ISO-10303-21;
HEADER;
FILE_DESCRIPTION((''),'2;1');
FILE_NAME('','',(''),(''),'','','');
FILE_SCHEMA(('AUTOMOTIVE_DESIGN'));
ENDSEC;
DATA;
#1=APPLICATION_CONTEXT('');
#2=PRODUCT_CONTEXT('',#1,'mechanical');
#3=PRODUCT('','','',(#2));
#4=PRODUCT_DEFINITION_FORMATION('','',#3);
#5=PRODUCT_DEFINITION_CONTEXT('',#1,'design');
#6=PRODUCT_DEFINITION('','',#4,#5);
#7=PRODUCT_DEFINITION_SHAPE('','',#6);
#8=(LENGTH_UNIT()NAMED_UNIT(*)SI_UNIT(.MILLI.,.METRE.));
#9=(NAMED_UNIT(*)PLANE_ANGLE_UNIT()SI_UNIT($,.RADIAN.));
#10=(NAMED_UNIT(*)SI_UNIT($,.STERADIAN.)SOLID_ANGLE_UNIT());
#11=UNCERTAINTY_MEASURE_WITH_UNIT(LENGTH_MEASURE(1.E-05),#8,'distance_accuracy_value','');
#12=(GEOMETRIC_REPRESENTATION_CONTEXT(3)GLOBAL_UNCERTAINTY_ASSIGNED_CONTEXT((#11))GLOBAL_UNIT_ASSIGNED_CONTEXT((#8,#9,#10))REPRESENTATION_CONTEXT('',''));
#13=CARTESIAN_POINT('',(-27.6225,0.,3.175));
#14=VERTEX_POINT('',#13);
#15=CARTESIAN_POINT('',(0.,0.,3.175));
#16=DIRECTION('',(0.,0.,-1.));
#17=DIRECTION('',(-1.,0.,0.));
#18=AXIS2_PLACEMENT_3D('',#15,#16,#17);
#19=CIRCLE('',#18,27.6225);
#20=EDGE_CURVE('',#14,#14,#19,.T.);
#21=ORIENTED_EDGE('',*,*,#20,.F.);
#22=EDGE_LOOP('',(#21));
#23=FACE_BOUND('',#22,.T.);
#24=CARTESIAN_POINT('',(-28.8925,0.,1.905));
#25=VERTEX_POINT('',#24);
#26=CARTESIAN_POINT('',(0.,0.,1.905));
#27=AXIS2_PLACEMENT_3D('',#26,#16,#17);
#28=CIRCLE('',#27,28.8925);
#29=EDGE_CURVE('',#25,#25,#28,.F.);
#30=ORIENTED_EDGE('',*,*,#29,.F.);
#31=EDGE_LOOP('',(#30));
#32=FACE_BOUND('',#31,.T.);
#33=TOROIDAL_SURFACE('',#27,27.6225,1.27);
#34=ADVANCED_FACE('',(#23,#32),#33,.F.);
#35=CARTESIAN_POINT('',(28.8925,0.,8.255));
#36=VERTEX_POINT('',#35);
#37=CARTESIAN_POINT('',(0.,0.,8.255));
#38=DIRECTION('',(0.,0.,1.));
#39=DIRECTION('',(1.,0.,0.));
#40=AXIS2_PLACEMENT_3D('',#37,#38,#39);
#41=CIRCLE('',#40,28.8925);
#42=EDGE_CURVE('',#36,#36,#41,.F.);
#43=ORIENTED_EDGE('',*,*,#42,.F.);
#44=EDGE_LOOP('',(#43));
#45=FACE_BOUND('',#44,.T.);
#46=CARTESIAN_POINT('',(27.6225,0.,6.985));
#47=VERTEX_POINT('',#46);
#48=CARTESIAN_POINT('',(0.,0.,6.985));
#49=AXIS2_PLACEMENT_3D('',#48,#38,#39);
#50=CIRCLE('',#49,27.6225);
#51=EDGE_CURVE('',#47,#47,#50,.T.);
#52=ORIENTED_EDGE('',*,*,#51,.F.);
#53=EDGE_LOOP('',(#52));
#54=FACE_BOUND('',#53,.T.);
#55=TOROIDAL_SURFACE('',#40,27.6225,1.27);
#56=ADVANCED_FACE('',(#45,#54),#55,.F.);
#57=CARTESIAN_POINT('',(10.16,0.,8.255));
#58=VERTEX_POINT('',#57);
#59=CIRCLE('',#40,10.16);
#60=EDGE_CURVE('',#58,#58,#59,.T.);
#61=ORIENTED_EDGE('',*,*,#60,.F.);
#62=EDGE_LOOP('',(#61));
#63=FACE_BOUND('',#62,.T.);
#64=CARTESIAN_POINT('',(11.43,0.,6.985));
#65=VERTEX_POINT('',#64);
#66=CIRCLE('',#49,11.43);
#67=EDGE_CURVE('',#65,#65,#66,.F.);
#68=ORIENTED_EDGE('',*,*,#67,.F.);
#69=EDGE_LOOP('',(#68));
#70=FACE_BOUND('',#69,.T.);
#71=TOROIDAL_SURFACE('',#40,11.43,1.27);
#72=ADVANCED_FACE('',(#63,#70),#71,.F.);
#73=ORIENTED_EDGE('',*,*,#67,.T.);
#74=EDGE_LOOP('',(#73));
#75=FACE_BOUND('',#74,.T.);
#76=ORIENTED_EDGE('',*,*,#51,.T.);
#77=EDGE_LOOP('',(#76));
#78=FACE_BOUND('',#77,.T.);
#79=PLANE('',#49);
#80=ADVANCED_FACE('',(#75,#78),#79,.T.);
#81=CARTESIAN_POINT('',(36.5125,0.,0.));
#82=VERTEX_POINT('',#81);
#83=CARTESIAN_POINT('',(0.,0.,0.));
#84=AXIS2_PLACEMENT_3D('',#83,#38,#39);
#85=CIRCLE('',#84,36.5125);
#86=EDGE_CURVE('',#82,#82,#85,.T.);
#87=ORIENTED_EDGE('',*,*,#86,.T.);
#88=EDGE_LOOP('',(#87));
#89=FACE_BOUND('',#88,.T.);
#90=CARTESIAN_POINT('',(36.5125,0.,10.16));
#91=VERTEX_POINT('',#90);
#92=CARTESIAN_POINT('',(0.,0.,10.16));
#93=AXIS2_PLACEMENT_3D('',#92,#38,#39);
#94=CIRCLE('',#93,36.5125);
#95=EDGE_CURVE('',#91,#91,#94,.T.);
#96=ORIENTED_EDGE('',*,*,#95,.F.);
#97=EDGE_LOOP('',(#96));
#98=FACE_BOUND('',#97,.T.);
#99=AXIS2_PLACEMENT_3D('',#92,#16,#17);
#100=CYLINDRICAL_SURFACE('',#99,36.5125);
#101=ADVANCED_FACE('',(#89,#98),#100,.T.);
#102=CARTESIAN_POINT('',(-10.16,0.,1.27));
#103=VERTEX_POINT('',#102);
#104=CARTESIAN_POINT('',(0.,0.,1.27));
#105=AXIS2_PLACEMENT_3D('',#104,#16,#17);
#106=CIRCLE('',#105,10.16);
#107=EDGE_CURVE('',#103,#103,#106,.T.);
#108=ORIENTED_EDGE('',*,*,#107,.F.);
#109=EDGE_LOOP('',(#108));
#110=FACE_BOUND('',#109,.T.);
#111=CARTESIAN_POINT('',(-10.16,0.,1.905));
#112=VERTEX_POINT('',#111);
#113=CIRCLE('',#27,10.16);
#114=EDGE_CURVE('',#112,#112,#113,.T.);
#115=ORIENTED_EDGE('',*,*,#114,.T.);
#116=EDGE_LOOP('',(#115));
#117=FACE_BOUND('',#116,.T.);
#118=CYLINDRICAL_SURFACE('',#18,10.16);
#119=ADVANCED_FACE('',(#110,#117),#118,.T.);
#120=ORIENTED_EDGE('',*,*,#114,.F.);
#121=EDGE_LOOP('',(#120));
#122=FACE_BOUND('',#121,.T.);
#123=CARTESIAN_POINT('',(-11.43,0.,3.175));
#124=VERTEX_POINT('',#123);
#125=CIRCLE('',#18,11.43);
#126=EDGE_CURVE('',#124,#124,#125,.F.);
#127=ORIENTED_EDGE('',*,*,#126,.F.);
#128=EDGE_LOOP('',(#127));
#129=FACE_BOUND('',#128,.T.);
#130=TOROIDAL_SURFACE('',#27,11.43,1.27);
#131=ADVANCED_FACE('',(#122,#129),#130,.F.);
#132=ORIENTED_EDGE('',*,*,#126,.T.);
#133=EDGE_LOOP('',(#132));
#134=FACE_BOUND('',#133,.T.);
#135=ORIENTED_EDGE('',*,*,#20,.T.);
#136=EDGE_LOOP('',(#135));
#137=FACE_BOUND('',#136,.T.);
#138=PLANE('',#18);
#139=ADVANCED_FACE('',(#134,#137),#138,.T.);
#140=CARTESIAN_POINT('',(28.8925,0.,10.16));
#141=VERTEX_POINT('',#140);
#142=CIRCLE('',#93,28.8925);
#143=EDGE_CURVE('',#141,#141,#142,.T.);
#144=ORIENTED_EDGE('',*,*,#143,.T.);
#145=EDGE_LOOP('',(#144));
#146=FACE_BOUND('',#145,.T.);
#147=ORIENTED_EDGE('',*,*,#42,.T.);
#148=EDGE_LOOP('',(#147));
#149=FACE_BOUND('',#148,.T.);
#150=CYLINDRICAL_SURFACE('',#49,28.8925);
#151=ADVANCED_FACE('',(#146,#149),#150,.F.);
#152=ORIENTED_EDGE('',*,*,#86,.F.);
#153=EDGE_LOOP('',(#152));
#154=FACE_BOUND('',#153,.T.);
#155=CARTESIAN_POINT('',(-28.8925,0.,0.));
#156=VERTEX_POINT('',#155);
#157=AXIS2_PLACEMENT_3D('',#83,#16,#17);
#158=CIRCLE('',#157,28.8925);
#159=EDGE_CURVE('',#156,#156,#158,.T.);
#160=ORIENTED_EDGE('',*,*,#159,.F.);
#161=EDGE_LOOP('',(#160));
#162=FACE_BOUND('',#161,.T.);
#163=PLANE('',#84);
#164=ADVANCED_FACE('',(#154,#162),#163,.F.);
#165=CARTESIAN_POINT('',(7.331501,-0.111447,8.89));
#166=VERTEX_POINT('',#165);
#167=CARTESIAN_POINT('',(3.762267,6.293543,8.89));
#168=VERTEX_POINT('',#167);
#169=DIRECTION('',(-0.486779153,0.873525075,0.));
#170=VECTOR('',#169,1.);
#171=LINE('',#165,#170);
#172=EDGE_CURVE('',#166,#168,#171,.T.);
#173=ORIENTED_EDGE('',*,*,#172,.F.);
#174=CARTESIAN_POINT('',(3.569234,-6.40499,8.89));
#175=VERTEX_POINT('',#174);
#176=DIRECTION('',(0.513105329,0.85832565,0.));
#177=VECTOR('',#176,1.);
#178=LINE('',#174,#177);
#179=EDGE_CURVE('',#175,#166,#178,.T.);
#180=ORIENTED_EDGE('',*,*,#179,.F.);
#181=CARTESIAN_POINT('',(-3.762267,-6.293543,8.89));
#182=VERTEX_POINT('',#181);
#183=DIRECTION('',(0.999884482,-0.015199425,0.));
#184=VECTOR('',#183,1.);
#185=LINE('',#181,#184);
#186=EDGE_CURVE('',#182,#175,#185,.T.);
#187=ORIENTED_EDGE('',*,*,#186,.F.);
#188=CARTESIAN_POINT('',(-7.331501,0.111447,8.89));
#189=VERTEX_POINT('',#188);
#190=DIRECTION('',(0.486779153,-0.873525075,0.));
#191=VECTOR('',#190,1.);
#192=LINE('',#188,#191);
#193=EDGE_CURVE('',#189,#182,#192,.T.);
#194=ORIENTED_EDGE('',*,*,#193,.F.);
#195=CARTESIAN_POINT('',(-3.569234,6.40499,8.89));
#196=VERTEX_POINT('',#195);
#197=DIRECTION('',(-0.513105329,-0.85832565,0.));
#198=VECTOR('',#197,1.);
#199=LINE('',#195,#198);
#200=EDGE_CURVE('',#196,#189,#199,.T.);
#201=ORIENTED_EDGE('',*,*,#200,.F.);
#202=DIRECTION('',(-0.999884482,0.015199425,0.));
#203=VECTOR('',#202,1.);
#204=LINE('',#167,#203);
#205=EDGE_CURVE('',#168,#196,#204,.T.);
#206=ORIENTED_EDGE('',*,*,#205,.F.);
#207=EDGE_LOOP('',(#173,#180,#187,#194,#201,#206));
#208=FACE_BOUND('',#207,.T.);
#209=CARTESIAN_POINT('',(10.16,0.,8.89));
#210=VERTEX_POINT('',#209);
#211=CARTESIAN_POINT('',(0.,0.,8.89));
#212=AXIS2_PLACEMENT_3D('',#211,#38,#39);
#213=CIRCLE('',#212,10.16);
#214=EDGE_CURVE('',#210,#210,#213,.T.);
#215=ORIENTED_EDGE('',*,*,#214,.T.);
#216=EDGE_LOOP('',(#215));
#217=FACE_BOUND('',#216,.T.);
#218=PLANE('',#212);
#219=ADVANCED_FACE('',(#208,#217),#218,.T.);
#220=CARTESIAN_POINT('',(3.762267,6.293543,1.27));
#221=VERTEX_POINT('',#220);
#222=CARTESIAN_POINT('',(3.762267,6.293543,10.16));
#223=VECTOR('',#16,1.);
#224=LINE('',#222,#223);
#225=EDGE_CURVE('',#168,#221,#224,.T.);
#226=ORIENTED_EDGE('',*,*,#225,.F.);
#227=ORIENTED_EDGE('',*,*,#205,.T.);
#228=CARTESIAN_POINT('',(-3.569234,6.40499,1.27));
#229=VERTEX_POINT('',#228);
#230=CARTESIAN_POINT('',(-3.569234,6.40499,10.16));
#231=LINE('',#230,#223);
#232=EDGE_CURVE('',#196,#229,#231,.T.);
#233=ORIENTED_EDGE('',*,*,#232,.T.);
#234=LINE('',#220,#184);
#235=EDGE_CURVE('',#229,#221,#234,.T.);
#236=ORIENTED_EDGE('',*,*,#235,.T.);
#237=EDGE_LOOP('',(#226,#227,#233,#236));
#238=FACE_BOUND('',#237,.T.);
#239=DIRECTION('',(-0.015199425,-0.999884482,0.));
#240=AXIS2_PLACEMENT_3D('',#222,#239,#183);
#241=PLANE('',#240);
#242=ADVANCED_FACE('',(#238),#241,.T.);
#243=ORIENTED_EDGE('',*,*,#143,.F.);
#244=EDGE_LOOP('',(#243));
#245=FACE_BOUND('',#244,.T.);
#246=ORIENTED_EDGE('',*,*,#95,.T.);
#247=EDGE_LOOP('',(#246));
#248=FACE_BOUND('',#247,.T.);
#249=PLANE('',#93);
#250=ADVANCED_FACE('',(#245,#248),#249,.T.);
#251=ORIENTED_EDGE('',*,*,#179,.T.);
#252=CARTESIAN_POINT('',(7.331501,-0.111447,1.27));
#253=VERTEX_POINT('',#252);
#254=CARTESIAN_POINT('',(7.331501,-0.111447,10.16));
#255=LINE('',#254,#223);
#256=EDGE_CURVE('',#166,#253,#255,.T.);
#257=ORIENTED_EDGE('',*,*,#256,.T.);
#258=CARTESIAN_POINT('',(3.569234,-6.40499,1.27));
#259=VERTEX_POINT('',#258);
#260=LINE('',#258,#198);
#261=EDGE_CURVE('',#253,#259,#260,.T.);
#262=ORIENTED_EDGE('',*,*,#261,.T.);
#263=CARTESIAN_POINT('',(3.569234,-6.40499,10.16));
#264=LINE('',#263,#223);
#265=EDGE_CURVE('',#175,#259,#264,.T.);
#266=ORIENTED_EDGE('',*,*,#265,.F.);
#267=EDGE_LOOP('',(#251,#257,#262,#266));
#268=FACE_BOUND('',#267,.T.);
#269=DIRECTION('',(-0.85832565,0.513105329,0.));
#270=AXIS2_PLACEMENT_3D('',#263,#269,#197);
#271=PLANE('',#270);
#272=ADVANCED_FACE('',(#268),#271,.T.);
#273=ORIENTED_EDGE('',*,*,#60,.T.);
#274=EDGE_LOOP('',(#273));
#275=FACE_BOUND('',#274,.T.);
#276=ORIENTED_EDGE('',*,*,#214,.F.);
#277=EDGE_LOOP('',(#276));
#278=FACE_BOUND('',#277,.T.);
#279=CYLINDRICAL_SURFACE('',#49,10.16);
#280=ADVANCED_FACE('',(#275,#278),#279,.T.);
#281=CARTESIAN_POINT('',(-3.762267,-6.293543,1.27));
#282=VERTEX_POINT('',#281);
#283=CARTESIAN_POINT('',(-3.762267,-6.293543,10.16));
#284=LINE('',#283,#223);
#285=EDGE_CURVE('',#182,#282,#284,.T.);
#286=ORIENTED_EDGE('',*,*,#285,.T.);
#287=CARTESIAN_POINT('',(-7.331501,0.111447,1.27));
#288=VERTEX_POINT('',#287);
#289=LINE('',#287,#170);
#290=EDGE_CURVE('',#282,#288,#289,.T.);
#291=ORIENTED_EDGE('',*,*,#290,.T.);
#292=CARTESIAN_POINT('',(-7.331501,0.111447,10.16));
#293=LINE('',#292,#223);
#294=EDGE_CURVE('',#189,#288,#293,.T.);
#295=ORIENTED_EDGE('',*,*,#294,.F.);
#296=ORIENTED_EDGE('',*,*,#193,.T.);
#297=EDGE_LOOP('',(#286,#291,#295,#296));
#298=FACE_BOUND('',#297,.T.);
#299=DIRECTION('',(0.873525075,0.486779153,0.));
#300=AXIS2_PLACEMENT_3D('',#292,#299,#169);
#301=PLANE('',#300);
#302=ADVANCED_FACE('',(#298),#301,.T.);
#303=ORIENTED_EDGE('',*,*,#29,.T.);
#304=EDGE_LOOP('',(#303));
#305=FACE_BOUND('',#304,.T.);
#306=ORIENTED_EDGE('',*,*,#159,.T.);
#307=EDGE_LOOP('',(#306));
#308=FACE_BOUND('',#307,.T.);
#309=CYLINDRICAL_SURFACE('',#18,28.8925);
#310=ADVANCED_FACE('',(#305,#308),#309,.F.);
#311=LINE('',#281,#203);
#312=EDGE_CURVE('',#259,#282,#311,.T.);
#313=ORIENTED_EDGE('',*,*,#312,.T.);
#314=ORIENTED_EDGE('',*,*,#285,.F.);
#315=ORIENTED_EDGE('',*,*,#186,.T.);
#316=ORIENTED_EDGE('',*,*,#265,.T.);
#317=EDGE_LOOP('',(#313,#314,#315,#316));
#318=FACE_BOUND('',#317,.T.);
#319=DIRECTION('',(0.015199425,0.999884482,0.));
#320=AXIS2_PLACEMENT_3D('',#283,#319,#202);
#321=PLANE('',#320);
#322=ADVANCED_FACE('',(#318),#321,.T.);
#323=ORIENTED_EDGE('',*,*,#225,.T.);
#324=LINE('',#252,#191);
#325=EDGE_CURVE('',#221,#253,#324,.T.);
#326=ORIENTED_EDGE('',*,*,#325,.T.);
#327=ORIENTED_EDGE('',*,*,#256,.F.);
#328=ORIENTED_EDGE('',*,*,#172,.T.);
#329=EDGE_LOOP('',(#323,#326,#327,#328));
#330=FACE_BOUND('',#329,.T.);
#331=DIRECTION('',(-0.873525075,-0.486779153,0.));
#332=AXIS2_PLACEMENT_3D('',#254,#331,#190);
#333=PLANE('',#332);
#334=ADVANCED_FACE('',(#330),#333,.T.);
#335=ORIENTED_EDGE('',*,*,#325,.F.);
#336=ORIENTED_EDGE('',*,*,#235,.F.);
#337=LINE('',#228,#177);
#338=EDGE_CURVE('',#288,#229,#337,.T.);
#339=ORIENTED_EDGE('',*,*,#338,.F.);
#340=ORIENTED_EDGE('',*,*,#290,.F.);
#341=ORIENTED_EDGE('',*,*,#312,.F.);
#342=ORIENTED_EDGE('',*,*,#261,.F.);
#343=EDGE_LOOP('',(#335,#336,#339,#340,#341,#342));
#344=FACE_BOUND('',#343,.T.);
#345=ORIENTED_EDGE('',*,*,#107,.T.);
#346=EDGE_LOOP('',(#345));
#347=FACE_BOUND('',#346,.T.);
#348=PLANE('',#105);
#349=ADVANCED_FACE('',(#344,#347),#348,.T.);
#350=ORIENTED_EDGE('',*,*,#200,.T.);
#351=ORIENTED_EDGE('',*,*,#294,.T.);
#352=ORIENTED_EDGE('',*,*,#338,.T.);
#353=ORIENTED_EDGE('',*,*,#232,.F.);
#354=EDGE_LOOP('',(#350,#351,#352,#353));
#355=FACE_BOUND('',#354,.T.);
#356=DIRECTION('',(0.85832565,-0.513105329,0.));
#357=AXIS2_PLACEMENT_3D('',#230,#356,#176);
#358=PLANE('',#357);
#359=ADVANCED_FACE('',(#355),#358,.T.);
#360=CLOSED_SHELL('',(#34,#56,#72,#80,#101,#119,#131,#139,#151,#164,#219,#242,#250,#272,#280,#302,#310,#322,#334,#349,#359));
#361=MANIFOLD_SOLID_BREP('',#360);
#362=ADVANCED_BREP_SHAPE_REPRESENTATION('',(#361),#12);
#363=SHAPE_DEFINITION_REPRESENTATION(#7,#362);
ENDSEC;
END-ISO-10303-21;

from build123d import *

# Parameters (mm, degrees)
SKETCH1_R           = 36.5125
BOSS_EXTRUDE1_DEPTH = 10.16
SKETCH2_R           = 28.8925
SKETCH2_R_2         = 10.16
CUT_EXTRUDE1_DEPTH  = 3.175
SKETCH3_R           = 28.8925
SKETCH3_R_2         = 10.16
CUT_EXTRUDE2_DEPTH  = 3.175
SKETCH4_R           = 10.16
CUT_EXTRUDE3_DEPTH  = 1.27
SKETCH7_R           = 10.16
CUT_EXTRUDE5_DEPTH  = 1.27
FILLET1_R           = 1.27


with BuildPart() as part:
    # Sketch1 → Boss-Extrude1 (new body)
    with BuildSketch(Plane.XY):
        Circle(SKETCH1_R)
        Polygon((3.569234353, -6.4049902), (7.331501401, -0.111447478), (3.762267048, 6.293542722), (-3.569234353, 6.4049902), (-7.331501401, 0.111447478), (-3.762267048, -6.293542722), align=None, mode=Mode.SUBTRACT)
    extrude(amount=BOSS_EXTRUDE1_DEPTH)

    # Sketch2 → Cut-Extrude1 (cut)
    with BuildSketch(Plane.XY.offset(10.16)):
        Circle(SKETCH2_R)
        Circle(SKETCH2_R_2, mode=Mode.SUBTRACT)
    extrude(amount=-CUT_EXTRUDE1_DEPTH, mode=Mode.SUBTRACT)

    # Sketch3 → Cut-Extrude2 (cut)
    with BuildSketch(Plane(origin=(0, 0, 0), x_dir=(-1, 0, 0), z_dir=(0, 0, -1))):
        Circle(SKETCH3_R)
        Circle(SKETCH3_R_2, mode=Mode.SUBTRACT)
    extrude(amount=-CUT_EXTRUDE2_DEPTH, mode=Mode.SUBTRACT)

    # Sketch4 → Cut-Extrude3 (cut)
    with BuildSketch(Plane(origin=(0, 0, 0), x_dir=(-1, 0, 0), z_dir=(0, 0, -1))):
        Circle(SKETCH4_R)
    extrude(amount=-CUT_EXTRUDE3_DEPTH, mode=Mode.SUBTRACT)

    # Sketch7 → Cut-Extrude5 (cut)
    with BuildSketch(Plane.XY.offset(10.16)):
        Circle(SKETCH7_R)
    extrude(amount=-CUT_EXTRUDE5_DEPTH, mode=Mode.SUBTRACT)

    # Fillet1
    fillet1_edges = [part.edges().sort_by_distance(p)[0] for p in [
        (-28.8925, 0, 6.985),
        (-10.16, 0, 6.985),
        (28.8925, 0, 3.175),
        (10.16, 0, 3.175),
    ]]
    fillet(fillet1_edges, radius=FILLET1_R)


solid = part.part
